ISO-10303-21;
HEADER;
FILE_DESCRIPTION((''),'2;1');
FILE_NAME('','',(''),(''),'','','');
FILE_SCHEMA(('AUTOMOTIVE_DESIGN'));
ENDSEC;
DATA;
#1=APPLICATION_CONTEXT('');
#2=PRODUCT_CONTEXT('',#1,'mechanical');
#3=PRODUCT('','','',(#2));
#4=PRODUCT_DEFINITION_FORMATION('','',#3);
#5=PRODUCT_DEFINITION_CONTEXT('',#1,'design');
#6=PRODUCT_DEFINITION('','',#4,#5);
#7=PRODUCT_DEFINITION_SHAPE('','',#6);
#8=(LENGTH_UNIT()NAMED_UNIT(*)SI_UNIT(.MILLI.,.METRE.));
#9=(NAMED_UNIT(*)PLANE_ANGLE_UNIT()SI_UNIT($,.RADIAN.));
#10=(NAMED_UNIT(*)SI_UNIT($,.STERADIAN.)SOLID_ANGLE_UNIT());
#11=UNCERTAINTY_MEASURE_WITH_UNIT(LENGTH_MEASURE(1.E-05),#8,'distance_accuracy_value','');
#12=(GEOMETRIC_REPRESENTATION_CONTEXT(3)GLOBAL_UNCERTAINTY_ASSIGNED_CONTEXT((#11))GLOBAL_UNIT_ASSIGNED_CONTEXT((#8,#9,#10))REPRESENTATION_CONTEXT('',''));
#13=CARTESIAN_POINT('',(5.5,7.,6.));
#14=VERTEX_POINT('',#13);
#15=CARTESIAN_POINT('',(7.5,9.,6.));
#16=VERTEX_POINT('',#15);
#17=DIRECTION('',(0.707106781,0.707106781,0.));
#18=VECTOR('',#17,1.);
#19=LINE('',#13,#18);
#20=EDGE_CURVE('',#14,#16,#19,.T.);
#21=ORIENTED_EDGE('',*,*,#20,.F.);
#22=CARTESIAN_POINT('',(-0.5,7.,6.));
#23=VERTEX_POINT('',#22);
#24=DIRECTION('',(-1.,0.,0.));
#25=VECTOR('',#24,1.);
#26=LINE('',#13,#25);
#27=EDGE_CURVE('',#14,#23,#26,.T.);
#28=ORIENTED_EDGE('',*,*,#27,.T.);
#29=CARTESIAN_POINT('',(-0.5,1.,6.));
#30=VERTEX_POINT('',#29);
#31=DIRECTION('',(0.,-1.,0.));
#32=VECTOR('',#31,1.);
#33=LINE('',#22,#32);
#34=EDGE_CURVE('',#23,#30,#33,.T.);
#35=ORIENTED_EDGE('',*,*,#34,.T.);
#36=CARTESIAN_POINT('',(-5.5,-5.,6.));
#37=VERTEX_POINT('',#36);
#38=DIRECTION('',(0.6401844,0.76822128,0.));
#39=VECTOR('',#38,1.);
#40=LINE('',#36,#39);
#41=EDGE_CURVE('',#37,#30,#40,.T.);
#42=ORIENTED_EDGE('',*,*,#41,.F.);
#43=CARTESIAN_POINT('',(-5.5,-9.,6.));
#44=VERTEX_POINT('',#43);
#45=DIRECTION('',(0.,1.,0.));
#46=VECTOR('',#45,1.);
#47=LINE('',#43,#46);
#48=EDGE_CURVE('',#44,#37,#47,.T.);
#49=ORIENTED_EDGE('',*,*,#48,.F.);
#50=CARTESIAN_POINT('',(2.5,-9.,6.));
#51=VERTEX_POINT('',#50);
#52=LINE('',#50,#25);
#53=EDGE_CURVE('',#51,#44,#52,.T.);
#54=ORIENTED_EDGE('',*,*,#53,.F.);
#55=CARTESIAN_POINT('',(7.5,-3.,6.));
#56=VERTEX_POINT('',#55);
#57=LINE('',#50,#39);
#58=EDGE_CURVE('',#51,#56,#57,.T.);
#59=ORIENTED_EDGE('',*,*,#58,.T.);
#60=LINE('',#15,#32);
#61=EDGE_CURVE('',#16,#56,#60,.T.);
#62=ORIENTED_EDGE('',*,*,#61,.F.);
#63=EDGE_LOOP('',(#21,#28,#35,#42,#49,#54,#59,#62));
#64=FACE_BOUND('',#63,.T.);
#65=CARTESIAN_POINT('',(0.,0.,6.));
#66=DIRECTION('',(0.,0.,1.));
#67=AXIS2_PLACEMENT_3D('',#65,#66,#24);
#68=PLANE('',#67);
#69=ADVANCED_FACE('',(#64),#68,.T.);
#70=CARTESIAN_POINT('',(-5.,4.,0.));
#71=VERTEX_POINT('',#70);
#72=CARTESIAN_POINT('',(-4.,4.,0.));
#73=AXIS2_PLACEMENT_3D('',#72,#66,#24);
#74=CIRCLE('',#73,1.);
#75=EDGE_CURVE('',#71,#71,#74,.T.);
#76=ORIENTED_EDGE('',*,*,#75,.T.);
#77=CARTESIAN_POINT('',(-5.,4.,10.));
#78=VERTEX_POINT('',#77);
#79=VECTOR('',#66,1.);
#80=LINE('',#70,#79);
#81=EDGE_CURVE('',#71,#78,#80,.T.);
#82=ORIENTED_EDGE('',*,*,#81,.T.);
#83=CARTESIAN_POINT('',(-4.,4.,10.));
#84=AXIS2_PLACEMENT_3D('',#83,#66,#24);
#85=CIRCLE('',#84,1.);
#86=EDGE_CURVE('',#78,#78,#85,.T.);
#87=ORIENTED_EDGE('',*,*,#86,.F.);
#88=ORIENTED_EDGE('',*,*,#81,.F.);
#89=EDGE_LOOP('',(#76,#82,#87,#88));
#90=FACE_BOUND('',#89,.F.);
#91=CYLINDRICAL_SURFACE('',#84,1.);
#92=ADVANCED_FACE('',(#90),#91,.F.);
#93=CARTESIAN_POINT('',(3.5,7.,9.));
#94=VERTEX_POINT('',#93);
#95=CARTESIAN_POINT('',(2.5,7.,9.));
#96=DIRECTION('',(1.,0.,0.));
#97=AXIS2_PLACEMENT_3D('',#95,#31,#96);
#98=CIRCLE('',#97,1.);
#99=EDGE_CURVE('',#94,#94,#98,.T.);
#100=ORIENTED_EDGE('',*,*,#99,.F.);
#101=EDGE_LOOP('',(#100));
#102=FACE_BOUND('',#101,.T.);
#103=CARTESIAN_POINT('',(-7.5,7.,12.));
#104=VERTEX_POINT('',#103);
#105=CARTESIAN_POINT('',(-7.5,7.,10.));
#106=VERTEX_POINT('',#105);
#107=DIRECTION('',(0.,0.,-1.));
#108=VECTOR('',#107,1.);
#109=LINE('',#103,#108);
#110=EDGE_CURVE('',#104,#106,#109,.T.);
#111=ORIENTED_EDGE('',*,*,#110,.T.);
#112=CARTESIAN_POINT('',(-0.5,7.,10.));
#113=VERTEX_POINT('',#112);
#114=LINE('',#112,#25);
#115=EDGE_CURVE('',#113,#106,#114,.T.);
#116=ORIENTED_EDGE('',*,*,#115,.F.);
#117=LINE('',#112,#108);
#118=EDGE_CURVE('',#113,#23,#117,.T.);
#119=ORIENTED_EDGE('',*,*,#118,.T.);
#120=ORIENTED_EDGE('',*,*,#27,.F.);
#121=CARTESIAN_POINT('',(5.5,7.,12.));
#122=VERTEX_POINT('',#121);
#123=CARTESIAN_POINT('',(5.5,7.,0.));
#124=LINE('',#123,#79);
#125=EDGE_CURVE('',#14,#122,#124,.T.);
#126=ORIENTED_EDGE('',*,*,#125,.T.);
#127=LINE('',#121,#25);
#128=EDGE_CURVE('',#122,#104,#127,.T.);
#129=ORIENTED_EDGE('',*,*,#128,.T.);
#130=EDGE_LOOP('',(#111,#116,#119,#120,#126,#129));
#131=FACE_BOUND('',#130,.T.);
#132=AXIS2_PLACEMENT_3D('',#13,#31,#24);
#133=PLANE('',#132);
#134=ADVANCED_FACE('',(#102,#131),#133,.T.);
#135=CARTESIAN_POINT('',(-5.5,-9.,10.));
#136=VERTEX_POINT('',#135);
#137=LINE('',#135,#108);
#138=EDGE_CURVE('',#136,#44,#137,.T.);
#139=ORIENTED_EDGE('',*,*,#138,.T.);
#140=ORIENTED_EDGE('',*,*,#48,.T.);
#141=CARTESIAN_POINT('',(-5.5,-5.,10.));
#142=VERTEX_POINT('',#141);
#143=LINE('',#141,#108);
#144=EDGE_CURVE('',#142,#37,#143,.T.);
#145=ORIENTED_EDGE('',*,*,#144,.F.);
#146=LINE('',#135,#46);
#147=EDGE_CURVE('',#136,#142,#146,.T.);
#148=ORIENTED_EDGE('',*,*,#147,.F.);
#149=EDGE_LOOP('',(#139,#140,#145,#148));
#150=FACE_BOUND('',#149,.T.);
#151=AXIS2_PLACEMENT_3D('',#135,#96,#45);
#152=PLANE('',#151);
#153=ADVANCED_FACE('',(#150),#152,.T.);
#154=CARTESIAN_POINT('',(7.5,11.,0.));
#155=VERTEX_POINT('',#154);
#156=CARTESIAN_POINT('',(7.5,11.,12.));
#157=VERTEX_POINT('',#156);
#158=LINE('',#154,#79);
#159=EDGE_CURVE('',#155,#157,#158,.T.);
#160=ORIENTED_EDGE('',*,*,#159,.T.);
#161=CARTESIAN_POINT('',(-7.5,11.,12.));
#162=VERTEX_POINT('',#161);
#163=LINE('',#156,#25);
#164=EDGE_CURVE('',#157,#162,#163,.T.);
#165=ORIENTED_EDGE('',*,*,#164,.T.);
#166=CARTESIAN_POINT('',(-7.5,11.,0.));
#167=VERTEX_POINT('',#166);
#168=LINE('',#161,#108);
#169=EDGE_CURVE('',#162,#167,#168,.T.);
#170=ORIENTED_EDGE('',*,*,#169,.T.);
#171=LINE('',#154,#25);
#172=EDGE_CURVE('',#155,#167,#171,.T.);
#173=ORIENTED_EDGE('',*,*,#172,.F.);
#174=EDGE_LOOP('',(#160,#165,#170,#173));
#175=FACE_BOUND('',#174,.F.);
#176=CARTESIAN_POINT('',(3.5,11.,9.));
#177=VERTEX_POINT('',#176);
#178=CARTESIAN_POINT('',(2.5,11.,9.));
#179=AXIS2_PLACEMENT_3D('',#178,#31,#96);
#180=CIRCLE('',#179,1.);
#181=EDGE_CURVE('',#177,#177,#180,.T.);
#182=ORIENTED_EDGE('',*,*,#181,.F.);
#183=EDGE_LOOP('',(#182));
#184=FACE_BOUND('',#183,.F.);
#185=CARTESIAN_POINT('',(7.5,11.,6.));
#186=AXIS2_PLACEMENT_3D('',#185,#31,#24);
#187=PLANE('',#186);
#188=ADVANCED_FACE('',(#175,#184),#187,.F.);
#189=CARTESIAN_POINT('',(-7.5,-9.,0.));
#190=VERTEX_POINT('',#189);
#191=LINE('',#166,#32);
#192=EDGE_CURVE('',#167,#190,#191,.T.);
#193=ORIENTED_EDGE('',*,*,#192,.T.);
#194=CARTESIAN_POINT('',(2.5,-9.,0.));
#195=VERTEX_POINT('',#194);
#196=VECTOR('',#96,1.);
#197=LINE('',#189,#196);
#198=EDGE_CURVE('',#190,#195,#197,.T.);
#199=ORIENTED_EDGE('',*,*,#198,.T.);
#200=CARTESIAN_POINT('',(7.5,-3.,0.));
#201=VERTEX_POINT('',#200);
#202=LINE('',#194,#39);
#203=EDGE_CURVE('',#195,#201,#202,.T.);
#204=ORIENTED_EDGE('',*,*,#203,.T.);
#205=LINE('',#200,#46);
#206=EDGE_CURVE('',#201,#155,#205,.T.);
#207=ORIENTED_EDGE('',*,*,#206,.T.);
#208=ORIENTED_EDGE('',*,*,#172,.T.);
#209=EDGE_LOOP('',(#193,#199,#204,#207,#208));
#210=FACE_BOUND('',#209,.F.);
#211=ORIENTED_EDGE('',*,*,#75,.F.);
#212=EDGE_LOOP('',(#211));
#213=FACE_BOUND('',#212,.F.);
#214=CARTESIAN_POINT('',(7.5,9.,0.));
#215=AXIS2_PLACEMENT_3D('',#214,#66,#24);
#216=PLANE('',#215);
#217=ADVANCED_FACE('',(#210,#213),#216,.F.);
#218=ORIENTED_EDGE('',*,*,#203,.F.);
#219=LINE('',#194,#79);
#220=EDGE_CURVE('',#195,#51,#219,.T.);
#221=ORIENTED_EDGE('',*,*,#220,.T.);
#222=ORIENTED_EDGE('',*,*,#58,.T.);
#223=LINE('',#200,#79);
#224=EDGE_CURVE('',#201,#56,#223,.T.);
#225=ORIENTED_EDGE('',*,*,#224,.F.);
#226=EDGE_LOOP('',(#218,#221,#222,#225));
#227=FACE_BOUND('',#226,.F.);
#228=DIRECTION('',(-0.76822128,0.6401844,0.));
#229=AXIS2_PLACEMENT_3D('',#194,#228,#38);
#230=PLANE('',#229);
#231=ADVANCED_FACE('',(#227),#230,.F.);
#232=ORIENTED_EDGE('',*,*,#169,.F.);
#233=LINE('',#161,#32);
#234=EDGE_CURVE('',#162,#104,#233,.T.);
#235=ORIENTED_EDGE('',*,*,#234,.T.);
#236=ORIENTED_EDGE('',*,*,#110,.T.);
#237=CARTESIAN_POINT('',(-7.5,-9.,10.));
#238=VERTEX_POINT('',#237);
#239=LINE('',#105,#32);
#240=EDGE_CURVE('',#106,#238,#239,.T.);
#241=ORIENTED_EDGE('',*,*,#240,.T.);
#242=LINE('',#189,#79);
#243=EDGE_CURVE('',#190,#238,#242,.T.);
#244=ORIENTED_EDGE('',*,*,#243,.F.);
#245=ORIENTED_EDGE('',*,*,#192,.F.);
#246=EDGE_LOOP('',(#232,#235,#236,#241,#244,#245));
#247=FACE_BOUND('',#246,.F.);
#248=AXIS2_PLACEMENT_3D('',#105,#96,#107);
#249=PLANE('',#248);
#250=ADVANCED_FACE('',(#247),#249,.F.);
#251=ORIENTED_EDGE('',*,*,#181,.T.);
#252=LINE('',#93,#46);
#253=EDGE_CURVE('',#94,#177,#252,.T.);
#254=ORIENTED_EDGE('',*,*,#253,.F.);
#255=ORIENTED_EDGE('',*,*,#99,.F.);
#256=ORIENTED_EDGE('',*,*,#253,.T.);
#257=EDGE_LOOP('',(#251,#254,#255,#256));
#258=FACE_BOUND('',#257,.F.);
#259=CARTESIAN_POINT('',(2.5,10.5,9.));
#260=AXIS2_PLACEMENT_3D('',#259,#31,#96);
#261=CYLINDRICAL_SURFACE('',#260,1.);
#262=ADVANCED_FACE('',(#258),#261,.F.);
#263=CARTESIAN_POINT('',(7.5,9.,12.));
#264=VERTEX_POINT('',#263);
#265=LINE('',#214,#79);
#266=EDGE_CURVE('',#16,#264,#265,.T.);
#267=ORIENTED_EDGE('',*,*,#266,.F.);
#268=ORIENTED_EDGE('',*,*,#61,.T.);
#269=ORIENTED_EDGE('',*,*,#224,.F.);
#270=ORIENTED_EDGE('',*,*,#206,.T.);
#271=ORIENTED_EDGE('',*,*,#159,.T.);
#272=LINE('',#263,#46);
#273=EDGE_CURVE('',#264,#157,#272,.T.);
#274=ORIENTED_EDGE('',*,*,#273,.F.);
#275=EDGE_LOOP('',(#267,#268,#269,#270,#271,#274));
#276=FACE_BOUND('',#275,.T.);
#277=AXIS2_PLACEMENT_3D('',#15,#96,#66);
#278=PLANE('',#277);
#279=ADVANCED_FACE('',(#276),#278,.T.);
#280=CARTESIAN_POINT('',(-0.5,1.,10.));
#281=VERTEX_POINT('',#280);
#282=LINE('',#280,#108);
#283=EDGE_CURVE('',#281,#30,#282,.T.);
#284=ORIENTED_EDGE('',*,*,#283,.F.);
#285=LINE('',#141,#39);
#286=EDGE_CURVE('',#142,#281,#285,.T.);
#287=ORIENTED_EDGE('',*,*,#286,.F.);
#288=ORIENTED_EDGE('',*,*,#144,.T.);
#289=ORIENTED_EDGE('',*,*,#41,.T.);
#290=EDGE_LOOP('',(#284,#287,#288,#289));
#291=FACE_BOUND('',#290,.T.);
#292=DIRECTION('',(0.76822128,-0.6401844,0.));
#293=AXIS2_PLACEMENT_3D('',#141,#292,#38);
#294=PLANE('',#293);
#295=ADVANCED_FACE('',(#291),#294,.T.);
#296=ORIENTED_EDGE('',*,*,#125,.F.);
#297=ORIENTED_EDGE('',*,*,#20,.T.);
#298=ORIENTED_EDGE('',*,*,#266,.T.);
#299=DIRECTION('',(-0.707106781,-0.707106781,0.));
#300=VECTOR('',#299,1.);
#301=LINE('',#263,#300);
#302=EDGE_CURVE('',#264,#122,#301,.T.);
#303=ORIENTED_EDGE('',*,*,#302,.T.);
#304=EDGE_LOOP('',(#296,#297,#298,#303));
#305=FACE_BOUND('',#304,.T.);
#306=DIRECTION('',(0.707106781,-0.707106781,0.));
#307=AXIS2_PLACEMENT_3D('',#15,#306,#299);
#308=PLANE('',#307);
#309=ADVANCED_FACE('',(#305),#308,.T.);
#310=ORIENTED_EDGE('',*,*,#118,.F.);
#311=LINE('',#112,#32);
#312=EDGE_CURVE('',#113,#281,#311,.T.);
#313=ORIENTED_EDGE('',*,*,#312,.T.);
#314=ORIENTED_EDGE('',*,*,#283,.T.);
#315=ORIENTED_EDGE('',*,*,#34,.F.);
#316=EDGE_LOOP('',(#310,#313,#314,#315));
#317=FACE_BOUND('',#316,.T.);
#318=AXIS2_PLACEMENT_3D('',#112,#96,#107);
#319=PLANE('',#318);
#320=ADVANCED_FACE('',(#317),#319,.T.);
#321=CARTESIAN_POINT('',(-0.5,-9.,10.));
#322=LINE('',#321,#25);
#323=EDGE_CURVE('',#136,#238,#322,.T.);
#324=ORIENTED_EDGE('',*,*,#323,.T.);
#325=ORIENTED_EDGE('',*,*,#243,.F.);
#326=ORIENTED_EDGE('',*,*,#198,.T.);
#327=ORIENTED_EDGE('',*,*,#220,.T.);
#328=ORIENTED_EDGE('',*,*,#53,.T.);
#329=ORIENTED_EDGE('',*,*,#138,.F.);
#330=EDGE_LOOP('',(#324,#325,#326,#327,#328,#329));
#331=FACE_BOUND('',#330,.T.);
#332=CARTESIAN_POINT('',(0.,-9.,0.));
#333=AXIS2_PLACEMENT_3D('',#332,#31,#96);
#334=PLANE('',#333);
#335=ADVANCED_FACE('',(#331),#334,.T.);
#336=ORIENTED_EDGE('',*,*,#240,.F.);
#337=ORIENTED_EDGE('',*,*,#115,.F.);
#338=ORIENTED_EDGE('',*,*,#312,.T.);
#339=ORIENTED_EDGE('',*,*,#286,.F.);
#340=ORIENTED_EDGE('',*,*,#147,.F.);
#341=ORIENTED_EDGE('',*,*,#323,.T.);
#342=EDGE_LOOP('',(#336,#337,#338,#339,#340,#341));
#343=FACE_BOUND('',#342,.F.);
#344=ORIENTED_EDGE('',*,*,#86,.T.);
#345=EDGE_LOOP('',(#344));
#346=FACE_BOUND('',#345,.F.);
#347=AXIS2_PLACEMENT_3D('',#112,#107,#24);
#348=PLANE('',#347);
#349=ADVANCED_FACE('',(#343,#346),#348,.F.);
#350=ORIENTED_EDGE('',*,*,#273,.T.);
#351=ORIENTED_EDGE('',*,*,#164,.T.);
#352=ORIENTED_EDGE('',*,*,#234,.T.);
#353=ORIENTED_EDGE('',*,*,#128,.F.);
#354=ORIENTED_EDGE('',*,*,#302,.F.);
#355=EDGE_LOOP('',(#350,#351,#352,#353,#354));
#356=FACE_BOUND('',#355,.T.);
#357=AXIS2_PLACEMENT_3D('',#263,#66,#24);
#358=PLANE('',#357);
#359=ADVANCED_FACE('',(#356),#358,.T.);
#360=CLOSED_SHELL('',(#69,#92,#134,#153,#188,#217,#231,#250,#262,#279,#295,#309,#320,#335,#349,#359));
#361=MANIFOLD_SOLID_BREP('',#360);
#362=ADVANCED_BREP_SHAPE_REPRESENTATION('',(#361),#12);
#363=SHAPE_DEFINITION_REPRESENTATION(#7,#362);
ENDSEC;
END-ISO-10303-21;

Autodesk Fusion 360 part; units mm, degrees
sketch "Sketch1" plane through (0, 0, 0) normal (0, 0, 1) x (1, 0, 0)
  line L0 (7.5, 9) -> (-7.5, 9)
  line L1 (-7.5, 9) -> (-7.5, -9)
  line L2 (-7.5, -9) -> (2.5, -9)
  line L3 (7.5, -3) -> (7.5, 7)
  line L4 (2.5, -9) -> (7.5, -3)
  line L5 (5.5, 7) -> (7.5, 9)
  line L6 (7.5, 7) -> (7.5, 9)
  line L7 (5.5, 7) -> (-7.5, 7)
  dimension "d2" = 18
  dimension "d3" = 10
  dimension "d4" = 2
  dimension "d5" = 2
extrude "Extrude1" add sketch "Sketch1" along normal blind 6 contours L1 L2 L3 L4 L5 L6 L7
sketch "Sketch2" plane through (0, 0, 6) normal (0, 0, 1) x (-1, 0, 0)
  line L0 (-5.5, -7) -> (7.5, -7)
  line L1 (7.5, -7) -> (7.5, 9)
  line L2 (7.5, 9) -> (-2.5, 9)
  line L3 (-2.5, 9) -> (-7.5, 3)
  line L4 (-7.5, 3) -> (-7.5, -9)
  line L5 (-7.5, -9) -> (-5.5, -7)
  line L6 (-7.5, -9) -> (7.5, -9)
  line L7 (7.5, -9) -> (7.5, -7)
  dimension "d8" = 15
extrude "Extrude2" add sketch "Sketch2" along normal blind 6 and the other way blind 6 contours L0 L5 L6 L7
extrude "Extrude3" add 1 faces at (-2.5, 9, 6) along direction (0, 1, 0) blind 2
sketch "Sketch3" plane through (0, 7, 0) normal (0, -1, 0) x (1, 0, 0)
  line L0 (-7.5, 6) -> (5.5, 6)
  line L1 (5.5, 6) -> (5.5, 12)
  line L2 (5.5, 12) -> (-7.5, 12)
  line L3 (-7.5, 12) -> (-7.5, 6)
  line L4 (5.5, 12) -> (5.5, 10) construction
  line L5 (5.5, 10) -> (-0.5, 10) construction
  line L6 (-0.5, 10) -> (-7.5, 10)
  line L7 (-0.5, 10) -> (-0.5, 6)
extrude "Extrude4" add sketch "Sketch3" along normal blind 16 contours L0 L3 L6 L7
sketch "Sketch4" plane through (0, 0, 10) normal (0, 0, 1) x (-1, 0, 0)
  line L0 (0.5, -7) -> (7.5, -7)
  line L1 (7.5, -7) -> (7.5, 9)
  line L2 (7.5, 9) -> (0.5, 9)
  line L3 (0.5, 9) -> (0.5, -7)
  line L4 (7.5, 9) -> (5.5, 9)
  line L5 (5.5, 9) -> (5.5, 5)
  line L6 (0.5, -7) -> (0.5, -1)
  line L7 (5.5, 5) -> (0.5, -1)
  dimension "d17" = 2
  dimension "d18" = 6
extrude "Extrude5" cut sketch "Sketch4" against normal blind 4 contours L2 L3 L5 L7
sketch "Sketch5" plane through (0, 0, 10) normal (0, 0, 1) x (-1, 0, 0)
  line L0 (5.5, 9) -> (5.5, 5)
  line L1 (5.5, 5) -> (0.5, -1)
  line L2 (0.5, -1) -> (0.5, -7)
  line L3 (0.5, -7) -> (7.5, -7)
  line L4 (7.5, -7) -> (7.5, 9)
  line L5 (7.5, 9) -> (5.5, 9)
  line L6 (0.5, -1) -> (7.5, -1) construction
  circle A0 centre (4, -4) radius 1
  dimension "d21" = 2
extrude "Extrude6" cut sketch "Sketch5" against normal blind 6 contours A0
sketch "Sketch6" plane through (0, 7, 0) normal (0, -1, 0) x (1, 0, 0)
  line L0 (-0.5, 10) -> (-0.5, 6)
  line L1 (-0.5, 6) -> (5.5, 6)
  line L2 (5.5, 6) -> (5.5, 12)
  line L3 (5.5, 12) -> (-7.5, 12)
  line L4 (-7.5, 12) -> (-7.5, 10)
  line L5 (-7.5, 10) -> (-0.5, 10)
  line L6 (-0.5, 12) -> (-0.5, 11.8671) construction
  line L7 (-0.5, 11.8671) -> (-0.5, 10) construction
  circle A0 centre (2.5, 9) radius 1
  dimension "d24" = 2
extrude "Extrude7" cut sketch "Sketch6" against normal blind 3.5 contours A0
extrude "Extrude8" cut 1 faces at (2.6218, 10.5, 8.6897) along direction (0, 1, 0) blind 6
extrude "Extrude9" cut 1 faces at (-4.4091, 4.2521, 4) along direction (0, 0, -1) blind 58
